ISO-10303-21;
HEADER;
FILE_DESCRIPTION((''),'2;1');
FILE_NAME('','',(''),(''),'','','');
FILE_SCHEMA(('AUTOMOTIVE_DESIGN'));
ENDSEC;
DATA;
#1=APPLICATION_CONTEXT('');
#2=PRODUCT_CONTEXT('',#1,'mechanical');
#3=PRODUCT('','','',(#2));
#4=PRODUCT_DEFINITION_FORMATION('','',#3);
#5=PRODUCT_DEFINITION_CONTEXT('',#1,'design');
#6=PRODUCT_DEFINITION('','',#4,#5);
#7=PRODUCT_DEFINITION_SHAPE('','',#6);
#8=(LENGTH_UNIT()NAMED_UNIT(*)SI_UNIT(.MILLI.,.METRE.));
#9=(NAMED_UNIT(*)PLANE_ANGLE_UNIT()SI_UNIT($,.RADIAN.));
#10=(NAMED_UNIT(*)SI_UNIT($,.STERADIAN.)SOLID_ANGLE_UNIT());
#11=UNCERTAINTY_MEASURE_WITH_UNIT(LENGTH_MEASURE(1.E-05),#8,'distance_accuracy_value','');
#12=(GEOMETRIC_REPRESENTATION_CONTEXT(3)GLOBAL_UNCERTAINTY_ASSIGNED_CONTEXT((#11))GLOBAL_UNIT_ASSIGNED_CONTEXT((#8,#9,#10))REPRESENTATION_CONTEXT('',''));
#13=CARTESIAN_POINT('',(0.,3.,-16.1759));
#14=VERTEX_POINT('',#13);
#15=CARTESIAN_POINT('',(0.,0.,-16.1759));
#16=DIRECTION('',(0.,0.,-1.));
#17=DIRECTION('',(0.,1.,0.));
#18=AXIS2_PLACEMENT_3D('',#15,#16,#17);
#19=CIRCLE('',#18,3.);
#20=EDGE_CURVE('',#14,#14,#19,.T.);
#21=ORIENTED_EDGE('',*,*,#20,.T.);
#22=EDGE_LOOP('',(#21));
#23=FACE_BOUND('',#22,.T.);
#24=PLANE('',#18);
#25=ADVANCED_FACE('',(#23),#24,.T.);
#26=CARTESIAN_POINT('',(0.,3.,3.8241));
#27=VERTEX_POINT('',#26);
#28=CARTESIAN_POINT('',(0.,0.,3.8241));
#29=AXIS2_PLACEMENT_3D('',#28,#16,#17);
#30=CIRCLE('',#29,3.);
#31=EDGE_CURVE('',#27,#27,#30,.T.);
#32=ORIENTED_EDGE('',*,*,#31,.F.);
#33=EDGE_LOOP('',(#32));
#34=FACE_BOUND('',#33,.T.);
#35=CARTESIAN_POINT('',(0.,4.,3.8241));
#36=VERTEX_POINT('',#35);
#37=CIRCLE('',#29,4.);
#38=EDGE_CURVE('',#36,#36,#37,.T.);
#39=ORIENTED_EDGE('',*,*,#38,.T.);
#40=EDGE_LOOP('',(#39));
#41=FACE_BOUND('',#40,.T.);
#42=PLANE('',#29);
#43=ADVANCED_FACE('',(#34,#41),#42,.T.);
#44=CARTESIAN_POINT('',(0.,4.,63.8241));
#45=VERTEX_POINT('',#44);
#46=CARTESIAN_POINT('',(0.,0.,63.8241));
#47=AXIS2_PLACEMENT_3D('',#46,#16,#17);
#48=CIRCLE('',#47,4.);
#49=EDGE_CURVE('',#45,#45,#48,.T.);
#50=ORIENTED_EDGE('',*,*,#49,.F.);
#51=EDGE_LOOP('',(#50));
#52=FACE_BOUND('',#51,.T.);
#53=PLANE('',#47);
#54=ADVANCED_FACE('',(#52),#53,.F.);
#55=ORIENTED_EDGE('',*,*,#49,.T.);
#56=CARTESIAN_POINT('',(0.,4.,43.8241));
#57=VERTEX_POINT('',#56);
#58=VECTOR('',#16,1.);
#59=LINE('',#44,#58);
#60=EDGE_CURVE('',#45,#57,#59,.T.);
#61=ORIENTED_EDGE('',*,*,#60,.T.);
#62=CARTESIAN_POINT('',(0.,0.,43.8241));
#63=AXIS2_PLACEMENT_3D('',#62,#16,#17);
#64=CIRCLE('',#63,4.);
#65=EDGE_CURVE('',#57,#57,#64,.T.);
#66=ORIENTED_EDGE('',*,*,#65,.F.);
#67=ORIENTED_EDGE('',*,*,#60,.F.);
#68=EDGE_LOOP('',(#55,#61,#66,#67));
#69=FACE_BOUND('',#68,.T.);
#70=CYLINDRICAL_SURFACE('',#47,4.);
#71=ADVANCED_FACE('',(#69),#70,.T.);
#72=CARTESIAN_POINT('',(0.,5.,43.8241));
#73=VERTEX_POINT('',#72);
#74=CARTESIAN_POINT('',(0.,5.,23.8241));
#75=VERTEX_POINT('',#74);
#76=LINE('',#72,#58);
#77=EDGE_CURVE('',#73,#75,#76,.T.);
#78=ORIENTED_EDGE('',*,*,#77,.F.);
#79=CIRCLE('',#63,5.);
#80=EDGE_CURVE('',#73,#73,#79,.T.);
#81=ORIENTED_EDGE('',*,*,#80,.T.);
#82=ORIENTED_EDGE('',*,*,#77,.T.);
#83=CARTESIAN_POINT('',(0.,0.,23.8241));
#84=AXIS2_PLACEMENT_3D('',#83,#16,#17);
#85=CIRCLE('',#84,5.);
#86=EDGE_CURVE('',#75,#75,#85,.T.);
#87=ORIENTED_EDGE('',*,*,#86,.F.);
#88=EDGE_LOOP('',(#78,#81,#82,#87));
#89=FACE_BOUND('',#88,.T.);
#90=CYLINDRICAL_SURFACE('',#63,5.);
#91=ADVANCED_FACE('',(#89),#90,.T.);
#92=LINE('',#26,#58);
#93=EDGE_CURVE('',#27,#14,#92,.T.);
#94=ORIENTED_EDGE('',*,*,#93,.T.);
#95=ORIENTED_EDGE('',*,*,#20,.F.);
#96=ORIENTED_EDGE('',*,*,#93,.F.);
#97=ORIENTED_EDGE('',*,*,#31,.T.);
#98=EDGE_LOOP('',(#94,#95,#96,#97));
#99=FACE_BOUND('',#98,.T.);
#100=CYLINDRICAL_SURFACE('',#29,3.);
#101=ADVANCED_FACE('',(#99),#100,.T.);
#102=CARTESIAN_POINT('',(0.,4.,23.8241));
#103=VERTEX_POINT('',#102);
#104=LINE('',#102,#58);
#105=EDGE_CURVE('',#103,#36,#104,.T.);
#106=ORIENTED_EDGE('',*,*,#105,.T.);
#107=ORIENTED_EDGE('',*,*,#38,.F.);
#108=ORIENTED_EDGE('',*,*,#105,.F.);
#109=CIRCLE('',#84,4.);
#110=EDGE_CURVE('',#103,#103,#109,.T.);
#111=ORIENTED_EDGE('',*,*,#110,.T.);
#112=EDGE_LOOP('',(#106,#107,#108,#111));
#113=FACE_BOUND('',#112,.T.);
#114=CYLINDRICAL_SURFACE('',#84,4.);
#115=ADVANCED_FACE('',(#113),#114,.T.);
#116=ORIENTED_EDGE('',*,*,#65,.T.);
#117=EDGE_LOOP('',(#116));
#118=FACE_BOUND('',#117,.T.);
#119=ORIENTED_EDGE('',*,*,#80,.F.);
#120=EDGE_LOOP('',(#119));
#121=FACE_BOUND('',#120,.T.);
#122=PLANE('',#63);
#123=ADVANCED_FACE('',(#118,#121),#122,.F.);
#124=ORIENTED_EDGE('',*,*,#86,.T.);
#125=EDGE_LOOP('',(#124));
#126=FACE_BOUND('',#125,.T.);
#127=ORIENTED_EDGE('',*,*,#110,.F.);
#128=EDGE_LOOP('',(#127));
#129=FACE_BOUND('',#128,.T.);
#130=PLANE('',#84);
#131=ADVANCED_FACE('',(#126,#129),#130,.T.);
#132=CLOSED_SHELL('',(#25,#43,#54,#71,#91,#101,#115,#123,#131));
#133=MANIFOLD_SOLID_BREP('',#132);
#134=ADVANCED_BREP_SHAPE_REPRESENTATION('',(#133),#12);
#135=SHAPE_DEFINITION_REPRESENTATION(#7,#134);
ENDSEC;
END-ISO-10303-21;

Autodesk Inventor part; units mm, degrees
ref_plane "YZ Plane" through (0, 0, 0) normal (1, 0, 0) x (0, 1, 0)
ref_plane "XZ Plane" through (0, 0, 0) normal (0, 1, 0) x (-1, 0, 0)
ref_plane "XY Plane" through (0, 0, 0) normal (0, 0, 1) x (1, 0, 0)
sketch "Sketch1" plane through (0, 0, 0) normal (1, 0, 0) x (0, 1, 0)
  line L0 (0, -32.1759) -> (0, 79.8241) construction
  line L1 (0, 63.8241) -> (4, 63.8241)
  line L2 (4, 63.8241) -> (4, 43.8241)
  line L3 (4, 43.8241) -> (5, 43.8241)
  line L4 (5, 43.8241) -> (5, 23.8241)
  line L5 (5, 23.8241) -> (4, 23.8241)
  line L6 (4, 23.8241) -> (4, 3.8241)
  line L7 (4, 3.8241) -> (3, 3.8241)
  line L8 (3, 3.8241) -> (3, -16.1759)
  line L9 (3, -16.1759) -> (0, -16.1759)
  line L10 (0, 63.8241) -> (0, -16.1759)
  point P0 (0, 0)
  dimension "d0" = 3
  dimension "d1" = 80
  dimension "d2" = 60
  dimension "d3" = 20
  dimension "d4" = 4
  dimension "d5" = 5
revolve "Revolution1" add sketch "Sketch1" angle 360 about axis through (0, 0, 63.8241) along (0, 0, -1)
properties part number "02_Truc_01"
